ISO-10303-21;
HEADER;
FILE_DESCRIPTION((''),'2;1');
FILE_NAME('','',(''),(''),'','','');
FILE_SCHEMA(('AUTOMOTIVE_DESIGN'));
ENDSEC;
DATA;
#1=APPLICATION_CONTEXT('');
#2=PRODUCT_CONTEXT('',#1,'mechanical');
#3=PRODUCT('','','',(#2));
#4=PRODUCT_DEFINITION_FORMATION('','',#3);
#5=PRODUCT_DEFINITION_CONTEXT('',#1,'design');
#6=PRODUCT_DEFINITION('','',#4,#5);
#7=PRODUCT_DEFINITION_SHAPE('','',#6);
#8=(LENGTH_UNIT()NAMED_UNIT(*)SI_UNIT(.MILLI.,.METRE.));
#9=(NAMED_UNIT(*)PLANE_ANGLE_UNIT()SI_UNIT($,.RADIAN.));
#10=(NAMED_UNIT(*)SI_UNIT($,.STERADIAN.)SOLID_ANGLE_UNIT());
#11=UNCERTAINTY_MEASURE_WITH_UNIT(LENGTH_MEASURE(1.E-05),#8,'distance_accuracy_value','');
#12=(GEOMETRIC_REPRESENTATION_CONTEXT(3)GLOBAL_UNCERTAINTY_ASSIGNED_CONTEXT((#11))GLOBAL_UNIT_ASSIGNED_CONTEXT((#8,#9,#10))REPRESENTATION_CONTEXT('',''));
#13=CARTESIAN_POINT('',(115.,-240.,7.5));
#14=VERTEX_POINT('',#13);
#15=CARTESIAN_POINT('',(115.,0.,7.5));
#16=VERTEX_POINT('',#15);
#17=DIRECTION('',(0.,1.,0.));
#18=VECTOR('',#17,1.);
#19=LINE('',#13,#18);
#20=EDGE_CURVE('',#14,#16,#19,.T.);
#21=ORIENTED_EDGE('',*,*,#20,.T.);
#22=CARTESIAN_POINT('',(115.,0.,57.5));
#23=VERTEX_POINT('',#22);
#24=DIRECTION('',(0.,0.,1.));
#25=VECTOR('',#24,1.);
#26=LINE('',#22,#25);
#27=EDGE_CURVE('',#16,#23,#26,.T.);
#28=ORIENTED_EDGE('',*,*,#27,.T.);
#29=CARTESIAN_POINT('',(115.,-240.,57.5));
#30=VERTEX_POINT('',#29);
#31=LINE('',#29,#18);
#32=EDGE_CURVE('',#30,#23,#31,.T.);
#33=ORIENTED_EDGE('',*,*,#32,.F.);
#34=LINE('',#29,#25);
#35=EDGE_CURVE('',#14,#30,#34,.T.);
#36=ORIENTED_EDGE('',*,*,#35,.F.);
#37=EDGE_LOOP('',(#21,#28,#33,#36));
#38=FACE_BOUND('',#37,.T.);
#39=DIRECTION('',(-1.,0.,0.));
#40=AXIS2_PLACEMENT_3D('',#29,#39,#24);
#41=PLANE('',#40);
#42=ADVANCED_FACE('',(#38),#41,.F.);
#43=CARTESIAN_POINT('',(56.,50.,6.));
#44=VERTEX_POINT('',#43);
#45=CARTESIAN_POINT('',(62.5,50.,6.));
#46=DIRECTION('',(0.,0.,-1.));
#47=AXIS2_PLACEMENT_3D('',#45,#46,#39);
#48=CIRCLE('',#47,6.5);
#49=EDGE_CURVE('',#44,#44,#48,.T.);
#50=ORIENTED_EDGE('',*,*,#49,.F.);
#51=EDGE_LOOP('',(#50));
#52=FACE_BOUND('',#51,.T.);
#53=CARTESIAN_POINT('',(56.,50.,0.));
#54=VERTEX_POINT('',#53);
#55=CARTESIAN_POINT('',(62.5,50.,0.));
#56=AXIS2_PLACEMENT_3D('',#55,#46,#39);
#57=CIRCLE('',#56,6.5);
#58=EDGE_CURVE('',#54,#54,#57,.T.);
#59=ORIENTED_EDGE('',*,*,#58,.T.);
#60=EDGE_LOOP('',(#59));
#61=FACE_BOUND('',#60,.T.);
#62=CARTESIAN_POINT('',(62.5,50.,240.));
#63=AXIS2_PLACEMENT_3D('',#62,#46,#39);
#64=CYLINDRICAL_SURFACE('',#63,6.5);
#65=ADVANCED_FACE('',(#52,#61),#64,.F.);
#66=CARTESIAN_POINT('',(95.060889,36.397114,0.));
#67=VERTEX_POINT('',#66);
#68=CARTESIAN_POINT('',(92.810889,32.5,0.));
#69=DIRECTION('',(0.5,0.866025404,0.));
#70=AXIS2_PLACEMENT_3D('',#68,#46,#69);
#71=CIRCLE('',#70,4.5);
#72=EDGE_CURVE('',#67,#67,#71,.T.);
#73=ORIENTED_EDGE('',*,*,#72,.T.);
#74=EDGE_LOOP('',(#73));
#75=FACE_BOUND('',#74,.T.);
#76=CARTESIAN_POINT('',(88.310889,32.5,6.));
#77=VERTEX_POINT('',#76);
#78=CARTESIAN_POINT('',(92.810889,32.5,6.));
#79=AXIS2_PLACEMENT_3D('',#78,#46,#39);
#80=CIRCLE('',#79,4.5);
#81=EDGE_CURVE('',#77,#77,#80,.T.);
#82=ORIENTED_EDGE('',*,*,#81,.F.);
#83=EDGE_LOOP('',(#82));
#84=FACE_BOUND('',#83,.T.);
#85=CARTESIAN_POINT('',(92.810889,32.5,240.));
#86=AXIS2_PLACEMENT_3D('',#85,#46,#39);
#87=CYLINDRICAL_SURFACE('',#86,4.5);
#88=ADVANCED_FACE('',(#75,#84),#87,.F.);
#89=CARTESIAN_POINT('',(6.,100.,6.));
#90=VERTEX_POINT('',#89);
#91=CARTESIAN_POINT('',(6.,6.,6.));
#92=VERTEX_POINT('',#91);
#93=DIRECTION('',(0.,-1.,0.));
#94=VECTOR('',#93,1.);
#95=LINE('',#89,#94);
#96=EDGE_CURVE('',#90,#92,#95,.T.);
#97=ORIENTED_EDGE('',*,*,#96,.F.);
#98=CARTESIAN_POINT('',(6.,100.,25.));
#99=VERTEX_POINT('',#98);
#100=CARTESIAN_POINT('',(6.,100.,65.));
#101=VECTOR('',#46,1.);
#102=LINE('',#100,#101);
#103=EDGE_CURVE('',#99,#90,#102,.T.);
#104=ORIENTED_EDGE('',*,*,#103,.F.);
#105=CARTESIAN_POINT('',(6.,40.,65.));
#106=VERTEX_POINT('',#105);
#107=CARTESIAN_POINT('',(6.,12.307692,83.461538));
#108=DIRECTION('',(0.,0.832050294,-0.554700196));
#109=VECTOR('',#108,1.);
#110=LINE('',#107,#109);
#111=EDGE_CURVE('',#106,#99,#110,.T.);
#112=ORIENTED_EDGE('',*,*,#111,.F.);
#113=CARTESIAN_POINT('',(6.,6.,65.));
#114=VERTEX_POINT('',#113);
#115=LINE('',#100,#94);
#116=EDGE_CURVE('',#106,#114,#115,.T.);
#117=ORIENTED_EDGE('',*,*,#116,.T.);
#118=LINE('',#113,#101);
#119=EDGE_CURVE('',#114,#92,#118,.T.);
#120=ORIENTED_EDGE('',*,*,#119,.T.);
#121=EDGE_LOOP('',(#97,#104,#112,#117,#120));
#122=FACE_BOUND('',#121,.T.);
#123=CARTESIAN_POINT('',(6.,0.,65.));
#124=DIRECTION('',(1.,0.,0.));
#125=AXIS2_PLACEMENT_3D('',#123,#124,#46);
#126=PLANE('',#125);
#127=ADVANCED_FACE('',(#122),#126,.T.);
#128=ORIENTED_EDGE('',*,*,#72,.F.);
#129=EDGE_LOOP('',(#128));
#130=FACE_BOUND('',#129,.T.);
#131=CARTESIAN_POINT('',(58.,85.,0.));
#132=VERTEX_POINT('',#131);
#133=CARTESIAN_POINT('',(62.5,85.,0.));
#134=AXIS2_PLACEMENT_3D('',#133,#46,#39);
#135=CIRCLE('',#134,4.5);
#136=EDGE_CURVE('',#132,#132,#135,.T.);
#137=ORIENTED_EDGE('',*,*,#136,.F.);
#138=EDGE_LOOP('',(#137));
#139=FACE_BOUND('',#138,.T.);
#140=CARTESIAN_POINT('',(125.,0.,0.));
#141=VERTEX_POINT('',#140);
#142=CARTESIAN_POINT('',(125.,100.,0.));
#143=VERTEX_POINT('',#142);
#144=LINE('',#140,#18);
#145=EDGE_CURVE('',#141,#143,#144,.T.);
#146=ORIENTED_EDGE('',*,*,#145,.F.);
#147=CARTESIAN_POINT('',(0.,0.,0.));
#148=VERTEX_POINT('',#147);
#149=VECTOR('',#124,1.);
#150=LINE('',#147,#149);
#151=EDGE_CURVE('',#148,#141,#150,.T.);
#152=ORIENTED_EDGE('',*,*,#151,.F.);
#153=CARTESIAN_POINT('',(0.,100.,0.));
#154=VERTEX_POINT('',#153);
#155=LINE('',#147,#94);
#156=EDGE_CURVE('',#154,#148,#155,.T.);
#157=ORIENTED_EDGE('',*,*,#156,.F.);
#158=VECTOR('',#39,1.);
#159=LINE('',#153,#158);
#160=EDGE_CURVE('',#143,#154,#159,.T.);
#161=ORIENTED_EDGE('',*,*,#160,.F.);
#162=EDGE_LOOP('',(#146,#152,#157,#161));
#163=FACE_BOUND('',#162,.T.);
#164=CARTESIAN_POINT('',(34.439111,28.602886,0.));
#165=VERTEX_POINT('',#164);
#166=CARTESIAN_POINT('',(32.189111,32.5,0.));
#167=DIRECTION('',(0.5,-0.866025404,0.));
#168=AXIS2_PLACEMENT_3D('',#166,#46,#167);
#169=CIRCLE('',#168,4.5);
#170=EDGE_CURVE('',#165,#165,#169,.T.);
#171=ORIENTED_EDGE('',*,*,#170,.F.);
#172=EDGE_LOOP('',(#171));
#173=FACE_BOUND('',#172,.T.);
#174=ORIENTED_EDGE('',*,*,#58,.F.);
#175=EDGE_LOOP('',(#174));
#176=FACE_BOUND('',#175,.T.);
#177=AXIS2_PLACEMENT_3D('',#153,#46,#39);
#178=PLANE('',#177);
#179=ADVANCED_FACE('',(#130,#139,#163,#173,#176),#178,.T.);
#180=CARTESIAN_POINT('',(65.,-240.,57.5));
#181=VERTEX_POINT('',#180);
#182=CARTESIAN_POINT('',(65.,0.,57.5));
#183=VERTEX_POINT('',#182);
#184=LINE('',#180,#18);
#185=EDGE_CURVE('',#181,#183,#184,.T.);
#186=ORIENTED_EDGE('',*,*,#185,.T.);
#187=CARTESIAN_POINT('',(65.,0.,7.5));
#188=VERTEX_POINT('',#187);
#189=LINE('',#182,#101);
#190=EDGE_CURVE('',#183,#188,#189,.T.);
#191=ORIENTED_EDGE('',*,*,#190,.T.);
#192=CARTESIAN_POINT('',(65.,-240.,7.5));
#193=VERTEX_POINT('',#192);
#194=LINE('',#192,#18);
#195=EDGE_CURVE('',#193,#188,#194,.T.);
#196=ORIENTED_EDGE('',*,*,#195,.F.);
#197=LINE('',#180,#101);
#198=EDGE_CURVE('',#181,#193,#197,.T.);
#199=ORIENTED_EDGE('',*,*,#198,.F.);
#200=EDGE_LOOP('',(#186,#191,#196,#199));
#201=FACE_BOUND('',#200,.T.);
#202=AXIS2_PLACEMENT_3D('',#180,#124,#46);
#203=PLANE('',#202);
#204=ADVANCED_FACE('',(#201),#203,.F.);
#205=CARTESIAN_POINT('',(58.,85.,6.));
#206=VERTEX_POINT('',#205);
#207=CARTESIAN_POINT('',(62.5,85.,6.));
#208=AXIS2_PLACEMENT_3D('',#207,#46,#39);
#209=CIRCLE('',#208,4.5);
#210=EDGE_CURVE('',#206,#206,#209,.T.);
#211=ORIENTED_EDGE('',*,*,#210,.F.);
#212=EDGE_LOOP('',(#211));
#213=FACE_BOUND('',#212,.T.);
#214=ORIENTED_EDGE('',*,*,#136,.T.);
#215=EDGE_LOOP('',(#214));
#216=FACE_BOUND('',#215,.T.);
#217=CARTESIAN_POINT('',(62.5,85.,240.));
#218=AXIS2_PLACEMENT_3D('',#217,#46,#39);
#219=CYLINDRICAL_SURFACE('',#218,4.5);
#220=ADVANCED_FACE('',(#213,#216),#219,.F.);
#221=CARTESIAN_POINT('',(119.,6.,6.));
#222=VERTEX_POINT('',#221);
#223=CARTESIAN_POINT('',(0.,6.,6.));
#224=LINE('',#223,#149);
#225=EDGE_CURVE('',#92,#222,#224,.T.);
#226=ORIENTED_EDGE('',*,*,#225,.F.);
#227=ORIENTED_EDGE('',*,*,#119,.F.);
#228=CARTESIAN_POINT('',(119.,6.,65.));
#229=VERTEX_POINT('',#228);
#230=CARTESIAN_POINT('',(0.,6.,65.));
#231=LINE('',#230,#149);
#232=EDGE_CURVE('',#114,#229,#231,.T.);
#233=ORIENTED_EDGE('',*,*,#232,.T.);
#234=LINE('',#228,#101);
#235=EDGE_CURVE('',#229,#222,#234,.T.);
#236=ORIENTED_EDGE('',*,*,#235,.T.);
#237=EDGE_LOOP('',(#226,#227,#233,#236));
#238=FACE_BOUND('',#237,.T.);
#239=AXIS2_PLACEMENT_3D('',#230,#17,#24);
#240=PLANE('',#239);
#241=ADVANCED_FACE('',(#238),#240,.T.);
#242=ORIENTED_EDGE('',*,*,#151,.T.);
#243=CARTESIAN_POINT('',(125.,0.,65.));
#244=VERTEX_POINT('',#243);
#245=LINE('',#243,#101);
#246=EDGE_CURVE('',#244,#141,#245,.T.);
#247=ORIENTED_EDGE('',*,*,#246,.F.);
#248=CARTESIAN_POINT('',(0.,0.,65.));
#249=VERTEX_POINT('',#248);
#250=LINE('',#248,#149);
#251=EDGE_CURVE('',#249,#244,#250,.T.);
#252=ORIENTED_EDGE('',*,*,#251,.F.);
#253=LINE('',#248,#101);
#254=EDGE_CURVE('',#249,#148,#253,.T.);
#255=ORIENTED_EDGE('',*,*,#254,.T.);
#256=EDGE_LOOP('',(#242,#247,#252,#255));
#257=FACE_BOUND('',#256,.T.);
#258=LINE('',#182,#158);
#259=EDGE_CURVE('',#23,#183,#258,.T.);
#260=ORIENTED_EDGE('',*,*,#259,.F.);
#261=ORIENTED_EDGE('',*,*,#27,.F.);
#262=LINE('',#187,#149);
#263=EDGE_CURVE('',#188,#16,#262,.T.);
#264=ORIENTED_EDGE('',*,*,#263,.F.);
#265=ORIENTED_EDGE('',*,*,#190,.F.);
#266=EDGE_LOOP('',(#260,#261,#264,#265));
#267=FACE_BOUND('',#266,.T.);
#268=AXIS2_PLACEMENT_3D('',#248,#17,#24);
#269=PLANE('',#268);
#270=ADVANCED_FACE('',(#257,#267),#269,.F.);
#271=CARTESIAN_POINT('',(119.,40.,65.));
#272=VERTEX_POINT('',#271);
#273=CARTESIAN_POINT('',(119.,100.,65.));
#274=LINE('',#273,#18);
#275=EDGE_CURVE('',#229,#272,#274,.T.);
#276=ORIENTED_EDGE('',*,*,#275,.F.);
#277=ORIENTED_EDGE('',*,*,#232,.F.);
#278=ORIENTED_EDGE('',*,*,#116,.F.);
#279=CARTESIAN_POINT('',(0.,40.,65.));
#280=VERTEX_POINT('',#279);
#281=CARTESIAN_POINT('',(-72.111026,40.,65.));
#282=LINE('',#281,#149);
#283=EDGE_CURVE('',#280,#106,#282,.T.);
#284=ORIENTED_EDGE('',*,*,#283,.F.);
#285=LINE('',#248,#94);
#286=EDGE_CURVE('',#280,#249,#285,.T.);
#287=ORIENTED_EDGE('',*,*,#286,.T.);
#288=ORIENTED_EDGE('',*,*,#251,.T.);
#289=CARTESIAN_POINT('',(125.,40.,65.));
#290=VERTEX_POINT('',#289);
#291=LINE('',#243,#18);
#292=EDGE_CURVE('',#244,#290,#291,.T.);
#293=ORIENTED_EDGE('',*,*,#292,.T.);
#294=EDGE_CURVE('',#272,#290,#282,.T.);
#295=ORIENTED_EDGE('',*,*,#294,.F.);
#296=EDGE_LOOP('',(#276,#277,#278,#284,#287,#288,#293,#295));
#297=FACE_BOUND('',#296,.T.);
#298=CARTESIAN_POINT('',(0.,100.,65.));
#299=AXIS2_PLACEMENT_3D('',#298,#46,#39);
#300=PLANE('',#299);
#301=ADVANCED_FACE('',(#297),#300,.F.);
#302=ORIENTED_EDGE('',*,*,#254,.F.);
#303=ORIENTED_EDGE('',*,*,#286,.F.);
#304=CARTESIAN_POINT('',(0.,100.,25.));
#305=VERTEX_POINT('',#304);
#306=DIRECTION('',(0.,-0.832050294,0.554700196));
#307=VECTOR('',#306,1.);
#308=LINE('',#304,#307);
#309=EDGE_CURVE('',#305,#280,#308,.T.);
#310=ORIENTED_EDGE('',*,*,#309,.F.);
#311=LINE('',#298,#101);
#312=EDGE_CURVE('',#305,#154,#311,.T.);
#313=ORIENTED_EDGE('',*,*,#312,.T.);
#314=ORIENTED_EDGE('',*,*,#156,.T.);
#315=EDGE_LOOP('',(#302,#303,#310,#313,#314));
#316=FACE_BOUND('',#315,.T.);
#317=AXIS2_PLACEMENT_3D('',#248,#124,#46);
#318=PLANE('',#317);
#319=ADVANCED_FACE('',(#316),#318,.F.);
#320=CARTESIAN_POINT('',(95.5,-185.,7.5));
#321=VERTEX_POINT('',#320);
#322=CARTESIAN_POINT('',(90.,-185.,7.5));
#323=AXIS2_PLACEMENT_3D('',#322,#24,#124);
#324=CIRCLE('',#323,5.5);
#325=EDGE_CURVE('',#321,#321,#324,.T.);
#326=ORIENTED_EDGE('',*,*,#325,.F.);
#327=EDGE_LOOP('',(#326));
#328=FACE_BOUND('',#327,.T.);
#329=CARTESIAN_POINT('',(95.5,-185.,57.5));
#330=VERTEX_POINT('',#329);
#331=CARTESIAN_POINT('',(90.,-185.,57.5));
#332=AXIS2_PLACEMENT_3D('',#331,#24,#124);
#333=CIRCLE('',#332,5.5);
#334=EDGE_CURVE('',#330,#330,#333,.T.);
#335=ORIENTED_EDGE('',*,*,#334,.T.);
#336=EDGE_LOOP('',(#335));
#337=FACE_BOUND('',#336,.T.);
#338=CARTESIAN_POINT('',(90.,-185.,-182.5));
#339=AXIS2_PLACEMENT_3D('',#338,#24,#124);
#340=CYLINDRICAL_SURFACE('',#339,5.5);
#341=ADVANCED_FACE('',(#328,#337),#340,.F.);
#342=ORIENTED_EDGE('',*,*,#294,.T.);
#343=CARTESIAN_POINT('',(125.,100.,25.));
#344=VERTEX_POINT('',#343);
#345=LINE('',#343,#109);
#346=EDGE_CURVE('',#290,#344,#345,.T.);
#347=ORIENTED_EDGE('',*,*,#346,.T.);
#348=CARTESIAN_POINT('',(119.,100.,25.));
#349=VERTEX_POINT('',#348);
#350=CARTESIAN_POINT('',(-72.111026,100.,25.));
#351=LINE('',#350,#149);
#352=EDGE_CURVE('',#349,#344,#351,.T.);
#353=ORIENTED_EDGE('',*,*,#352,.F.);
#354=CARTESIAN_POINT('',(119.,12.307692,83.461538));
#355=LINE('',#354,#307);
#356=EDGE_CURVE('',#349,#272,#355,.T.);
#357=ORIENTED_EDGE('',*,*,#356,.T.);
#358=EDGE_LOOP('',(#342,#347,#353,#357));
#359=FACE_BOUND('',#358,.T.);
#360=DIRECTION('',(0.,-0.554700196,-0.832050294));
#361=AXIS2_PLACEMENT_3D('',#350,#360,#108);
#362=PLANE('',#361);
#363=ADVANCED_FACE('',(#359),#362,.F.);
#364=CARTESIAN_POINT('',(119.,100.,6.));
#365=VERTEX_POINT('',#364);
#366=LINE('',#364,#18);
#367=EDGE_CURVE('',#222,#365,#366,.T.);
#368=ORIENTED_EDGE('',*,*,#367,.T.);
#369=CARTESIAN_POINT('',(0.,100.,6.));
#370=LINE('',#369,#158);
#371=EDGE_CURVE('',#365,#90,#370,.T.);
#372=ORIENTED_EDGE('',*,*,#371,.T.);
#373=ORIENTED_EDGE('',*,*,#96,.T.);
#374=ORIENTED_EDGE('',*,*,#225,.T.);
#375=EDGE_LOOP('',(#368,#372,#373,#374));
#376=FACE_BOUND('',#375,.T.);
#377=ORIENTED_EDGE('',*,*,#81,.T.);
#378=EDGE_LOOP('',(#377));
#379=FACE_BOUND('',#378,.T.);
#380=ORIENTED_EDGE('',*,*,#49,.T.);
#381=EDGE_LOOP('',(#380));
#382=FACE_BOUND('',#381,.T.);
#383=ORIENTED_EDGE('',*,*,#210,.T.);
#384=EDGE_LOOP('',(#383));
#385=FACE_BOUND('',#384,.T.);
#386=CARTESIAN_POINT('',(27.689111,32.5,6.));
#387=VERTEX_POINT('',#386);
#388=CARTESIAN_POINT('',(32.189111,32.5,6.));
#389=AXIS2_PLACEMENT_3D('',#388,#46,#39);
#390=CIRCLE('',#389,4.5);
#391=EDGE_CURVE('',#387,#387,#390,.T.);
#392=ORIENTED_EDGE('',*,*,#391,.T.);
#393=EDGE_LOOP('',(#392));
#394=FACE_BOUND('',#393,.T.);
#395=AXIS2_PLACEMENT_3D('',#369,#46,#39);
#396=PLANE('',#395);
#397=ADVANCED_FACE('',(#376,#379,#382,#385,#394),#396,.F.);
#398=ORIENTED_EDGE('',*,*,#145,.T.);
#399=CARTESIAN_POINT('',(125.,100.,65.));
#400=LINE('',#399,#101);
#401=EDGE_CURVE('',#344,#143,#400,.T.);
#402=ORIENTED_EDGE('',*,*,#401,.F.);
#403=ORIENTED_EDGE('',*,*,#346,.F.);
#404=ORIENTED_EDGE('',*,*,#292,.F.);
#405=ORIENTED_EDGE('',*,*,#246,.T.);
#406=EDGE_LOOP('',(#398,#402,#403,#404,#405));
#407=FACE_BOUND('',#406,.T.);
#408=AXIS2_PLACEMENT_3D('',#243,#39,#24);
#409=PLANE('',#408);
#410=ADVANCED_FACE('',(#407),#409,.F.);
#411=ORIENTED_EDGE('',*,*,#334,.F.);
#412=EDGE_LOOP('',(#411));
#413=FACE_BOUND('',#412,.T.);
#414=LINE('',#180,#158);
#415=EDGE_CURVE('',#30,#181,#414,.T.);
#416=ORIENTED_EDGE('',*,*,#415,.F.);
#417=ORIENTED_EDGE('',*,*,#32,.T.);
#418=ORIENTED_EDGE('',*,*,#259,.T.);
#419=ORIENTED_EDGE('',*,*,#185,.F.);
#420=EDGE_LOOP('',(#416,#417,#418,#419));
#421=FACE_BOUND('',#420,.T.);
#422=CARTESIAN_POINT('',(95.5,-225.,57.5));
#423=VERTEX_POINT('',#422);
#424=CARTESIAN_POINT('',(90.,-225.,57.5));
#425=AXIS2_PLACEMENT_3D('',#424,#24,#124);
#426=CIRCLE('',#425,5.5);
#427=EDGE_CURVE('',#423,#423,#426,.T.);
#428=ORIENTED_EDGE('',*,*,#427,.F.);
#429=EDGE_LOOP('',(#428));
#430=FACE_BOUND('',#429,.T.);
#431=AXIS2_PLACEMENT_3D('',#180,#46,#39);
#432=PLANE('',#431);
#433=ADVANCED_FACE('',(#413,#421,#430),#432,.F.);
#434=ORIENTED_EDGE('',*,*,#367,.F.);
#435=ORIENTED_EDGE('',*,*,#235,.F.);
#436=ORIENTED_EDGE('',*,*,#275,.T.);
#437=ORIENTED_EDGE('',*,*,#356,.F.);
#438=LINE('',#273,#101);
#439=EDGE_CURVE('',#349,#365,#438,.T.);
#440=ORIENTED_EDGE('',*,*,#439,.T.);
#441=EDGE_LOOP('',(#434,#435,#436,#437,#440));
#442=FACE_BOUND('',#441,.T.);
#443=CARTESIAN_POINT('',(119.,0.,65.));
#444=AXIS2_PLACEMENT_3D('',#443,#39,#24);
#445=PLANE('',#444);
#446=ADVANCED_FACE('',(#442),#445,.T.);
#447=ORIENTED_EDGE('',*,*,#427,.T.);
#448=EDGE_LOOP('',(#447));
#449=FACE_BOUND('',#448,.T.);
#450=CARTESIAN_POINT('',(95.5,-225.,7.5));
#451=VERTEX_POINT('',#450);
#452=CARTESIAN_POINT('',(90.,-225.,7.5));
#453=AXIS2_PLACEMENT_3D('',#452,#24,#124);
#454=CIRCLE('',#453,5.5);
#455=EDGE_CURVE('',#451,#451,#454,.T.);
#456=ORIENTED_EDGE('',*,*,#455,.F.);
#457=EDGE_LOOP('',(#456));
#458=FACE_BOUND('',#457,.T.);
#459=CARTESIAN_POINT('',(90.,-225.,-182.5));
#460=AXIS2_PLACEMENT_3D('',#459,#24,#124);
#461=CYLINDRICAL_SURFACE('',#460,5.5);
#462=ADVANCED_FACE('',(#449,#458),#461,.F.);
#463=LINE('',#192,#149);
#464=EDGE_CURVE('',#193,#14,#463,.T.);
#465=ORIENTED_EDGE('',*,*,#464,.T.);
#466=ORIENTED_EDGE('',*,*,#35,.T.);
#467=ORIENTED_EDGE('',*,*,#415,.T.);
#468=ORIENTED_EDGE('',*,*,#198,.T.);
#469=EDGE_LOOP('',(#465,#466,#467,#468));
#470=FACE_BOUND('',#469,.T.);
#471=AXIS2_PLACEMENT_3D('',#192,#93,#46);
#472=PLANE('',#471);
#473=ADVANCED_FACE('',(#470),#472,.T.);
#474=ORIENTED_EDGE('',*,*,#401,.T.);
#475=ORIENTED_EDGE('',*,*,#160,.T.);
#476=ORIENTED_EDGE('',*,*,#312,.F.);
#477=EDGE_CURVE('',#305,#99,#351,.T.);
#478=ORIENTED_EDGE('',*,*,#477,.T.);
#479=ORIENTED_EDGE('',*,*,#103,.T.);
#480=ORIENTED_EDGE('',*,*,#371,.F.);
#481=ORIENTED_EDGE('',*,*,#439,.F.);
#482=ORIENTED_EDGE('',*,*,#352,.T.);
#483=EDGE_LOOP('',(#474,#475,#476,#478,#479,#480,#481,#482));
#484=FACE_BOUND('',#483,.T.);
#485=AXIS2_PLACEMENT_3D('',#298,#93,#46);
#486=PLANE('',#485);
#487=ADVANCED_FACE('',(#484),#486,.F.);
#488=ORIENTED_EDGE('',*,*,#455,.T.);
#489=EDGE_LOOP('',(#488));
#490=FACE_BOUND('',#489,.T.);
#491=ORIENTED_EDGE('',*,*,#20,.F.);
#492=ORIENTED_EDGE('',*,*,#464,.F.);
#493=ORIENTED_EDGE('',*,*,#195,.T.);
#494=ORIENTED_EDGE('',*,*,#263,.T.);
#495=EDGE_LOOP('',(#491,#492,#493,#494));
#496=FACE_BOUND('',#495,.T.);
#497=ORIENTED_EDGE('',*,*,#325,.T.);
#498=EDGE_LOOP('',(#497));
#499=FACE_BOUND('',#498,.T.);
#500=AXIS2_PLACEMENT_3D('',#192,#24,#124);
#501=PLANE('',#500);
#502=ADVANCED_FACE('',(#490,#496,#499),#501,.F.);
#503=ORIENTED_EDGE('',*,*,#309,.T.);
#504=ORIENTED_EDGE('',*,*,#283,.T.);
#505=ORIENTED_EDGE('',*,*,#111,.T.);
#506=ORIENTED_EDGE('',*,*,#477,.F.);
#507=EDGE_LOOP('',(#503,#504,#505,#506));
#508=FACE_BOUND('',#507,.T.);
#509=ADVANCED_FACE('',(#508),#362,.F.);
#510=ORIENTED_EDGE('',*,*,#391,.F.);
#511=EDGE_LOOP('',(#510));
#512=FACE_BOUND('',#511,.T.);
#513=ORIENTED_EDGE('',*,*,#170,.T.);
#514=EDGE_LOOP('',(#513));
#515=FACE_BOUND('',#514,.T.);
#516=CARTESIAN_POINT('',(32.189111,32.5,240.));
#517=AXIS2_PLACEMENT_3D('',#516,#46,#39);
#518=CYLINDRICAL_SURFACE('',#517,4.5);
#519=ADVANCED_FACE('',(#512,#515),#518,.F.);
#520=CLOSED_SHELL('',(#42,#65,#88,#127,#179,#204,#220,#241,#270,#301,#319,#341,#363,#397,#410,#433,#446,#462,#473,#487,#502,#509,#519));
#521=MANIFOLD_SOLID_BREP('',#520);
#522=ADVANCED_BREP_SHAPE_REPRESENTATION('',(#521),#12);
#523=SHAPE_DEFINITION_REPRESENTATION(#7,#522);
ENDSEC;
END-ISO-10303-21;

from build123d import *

# Parameters (mm, degrees)
SKETCH_1_W               = 125
SKETCH_1_H               = 100
EXTRUDE_1_DEPTH          = 65
SHELL_1_T                = -6
CUT_EXTRUDE_1_REACH      = 174.772
SKETCH_3_W               = 50
SKETCH_3_H               = 50
EXTRUDE_2_DEPTH          = 240
SKETCH_4_R               = 5.5
CUT_EXTRUDE_2_DEPTH      = 240
SKETCH_5_R               = 6.5
CUT_EXTRUDE_5_DEPTH      = 240
SKETCH_6_R               = 4.5
CUT_EXTRUDE_6_DEPTH      = 240
PATTERN_CIRCULAR_1_COUNT = 3


with BuildPart() as part:
    # 草图1 → 凸台-拉伸1 (new body)
    with BuildSketch(Plane.XY):
        with Locations((62.5, 50)):
            Rectangle(SKETCH_1_W, SKETCH_1_H)
    extrude(amount=EXTRUDE_1_DEPTH)

    # 抽壳1
    shell_1_openings = [part.faces().sort_by_distance(p)[0] for p in [
        (62.5, 50, 65),
        (62.5, 100, 32.5),
    ]]
    offset(amount=SHELL_1_T, openings=shell_1_openings, kind=Kind.INTERSECTION)

    # 切除-拉伸1: up to this face of the body (flat: up to its plane)
    cut_extrude_1_end = Plane(part.part.faces().sort_by_distance((0, 50, 32.5))[0])
    # 草图2 → 切除-拉伸1 (cut, up to the picked face)
    with BuildSketch(Plane(origin=(125, 0, 0), x_dir=(0, 0, -1), z_dir=(1, 0, 0)), mode=Mode.PRIVATE) as cut_extrude_1_sk1:
        Polygon((-65, 100), (-25, 100), (-65, 40), align=None)
    cut_extrude_1_tool1 = split(extrude(cut_extrude_1_sk1.sketch, amount=-CUT_EXTRUDE_1_REACH, mode=Mode.PRIVATE), bisect_by=cut_extrude_1_end, keep=Keep.BOTH, mode=Mode.PRIVATE)
    add(cut_extrude_1_tool1.solids().sort_by(Axis((125, 80, 51.666667), (-1, 0, 0)))[0], mode=Mode.SUBTRACT)

    # 草图3 → 凸台-拉伸2 (add)
    with BuildSketch(Plane.XZ):
        with Locations((90, 32.5)):
            Rectangle(SKETCH_3_W, SKETCH_3_H)
    extrude(amount=EXTRUDE_2_DEPTH)

    # 草图4 → 切除-拉伸2 (cut)
    with BuildSketch(Plane.XY.offset(57.5)):
        with Locations((90, -225)):
            Circle(SKETCH_4_R)
        with Locations((90, -185)):
            Circle(SKETCH_4_R)
    extrude(amount=-CUT_EXTRUDE_2_DEPTH, mode=Mode.SUBTRACT)

    # 草图5 → 切除-拉伸5 (cut)
    with BuildSketch(Plane(origin=(0, 0, 0), x_dir=(-1, 0, 0), z_dir=(0, 0, -1))):
        with Locations((-62.5, 50)):
            Circle(SKETCH_5_R)
    extrude(amount=-CUT_EXTRUDE_5_DEPTH, mode=Mode.SUBTRACT)

    # 草图6 → 切除-拉伸6 (cut)
    with BuildSketch(Plane(origin=(0, 0, 0), x_dir=(-1, 0, 0), z_dir=(0, 0, -1))):
        with Locations((-62.5, 85)):
            Circle(SKETCH_6_R)
    cut_extrude_6 = extrude(amount=-CUT_EXTRUDE_6_DEPTH, mode=Mode.SUBTRACT)

    # 阵列(圆周)1: 切除-拉伸6 ×3 about axis
    pattern_circular_1_axis = Axis((62.5, 50, 0), (0, 0, 1))
    for i in range(1, PATTERN_CIRCULAR_1_COUNT):
        add(cut_extrude_6.rotate(pattern_circular_1_axis, i * 360 / PATTERN_CIRCULAR_1_COUNT), mode=Mode.SUBTRACT)


solid = part.part
